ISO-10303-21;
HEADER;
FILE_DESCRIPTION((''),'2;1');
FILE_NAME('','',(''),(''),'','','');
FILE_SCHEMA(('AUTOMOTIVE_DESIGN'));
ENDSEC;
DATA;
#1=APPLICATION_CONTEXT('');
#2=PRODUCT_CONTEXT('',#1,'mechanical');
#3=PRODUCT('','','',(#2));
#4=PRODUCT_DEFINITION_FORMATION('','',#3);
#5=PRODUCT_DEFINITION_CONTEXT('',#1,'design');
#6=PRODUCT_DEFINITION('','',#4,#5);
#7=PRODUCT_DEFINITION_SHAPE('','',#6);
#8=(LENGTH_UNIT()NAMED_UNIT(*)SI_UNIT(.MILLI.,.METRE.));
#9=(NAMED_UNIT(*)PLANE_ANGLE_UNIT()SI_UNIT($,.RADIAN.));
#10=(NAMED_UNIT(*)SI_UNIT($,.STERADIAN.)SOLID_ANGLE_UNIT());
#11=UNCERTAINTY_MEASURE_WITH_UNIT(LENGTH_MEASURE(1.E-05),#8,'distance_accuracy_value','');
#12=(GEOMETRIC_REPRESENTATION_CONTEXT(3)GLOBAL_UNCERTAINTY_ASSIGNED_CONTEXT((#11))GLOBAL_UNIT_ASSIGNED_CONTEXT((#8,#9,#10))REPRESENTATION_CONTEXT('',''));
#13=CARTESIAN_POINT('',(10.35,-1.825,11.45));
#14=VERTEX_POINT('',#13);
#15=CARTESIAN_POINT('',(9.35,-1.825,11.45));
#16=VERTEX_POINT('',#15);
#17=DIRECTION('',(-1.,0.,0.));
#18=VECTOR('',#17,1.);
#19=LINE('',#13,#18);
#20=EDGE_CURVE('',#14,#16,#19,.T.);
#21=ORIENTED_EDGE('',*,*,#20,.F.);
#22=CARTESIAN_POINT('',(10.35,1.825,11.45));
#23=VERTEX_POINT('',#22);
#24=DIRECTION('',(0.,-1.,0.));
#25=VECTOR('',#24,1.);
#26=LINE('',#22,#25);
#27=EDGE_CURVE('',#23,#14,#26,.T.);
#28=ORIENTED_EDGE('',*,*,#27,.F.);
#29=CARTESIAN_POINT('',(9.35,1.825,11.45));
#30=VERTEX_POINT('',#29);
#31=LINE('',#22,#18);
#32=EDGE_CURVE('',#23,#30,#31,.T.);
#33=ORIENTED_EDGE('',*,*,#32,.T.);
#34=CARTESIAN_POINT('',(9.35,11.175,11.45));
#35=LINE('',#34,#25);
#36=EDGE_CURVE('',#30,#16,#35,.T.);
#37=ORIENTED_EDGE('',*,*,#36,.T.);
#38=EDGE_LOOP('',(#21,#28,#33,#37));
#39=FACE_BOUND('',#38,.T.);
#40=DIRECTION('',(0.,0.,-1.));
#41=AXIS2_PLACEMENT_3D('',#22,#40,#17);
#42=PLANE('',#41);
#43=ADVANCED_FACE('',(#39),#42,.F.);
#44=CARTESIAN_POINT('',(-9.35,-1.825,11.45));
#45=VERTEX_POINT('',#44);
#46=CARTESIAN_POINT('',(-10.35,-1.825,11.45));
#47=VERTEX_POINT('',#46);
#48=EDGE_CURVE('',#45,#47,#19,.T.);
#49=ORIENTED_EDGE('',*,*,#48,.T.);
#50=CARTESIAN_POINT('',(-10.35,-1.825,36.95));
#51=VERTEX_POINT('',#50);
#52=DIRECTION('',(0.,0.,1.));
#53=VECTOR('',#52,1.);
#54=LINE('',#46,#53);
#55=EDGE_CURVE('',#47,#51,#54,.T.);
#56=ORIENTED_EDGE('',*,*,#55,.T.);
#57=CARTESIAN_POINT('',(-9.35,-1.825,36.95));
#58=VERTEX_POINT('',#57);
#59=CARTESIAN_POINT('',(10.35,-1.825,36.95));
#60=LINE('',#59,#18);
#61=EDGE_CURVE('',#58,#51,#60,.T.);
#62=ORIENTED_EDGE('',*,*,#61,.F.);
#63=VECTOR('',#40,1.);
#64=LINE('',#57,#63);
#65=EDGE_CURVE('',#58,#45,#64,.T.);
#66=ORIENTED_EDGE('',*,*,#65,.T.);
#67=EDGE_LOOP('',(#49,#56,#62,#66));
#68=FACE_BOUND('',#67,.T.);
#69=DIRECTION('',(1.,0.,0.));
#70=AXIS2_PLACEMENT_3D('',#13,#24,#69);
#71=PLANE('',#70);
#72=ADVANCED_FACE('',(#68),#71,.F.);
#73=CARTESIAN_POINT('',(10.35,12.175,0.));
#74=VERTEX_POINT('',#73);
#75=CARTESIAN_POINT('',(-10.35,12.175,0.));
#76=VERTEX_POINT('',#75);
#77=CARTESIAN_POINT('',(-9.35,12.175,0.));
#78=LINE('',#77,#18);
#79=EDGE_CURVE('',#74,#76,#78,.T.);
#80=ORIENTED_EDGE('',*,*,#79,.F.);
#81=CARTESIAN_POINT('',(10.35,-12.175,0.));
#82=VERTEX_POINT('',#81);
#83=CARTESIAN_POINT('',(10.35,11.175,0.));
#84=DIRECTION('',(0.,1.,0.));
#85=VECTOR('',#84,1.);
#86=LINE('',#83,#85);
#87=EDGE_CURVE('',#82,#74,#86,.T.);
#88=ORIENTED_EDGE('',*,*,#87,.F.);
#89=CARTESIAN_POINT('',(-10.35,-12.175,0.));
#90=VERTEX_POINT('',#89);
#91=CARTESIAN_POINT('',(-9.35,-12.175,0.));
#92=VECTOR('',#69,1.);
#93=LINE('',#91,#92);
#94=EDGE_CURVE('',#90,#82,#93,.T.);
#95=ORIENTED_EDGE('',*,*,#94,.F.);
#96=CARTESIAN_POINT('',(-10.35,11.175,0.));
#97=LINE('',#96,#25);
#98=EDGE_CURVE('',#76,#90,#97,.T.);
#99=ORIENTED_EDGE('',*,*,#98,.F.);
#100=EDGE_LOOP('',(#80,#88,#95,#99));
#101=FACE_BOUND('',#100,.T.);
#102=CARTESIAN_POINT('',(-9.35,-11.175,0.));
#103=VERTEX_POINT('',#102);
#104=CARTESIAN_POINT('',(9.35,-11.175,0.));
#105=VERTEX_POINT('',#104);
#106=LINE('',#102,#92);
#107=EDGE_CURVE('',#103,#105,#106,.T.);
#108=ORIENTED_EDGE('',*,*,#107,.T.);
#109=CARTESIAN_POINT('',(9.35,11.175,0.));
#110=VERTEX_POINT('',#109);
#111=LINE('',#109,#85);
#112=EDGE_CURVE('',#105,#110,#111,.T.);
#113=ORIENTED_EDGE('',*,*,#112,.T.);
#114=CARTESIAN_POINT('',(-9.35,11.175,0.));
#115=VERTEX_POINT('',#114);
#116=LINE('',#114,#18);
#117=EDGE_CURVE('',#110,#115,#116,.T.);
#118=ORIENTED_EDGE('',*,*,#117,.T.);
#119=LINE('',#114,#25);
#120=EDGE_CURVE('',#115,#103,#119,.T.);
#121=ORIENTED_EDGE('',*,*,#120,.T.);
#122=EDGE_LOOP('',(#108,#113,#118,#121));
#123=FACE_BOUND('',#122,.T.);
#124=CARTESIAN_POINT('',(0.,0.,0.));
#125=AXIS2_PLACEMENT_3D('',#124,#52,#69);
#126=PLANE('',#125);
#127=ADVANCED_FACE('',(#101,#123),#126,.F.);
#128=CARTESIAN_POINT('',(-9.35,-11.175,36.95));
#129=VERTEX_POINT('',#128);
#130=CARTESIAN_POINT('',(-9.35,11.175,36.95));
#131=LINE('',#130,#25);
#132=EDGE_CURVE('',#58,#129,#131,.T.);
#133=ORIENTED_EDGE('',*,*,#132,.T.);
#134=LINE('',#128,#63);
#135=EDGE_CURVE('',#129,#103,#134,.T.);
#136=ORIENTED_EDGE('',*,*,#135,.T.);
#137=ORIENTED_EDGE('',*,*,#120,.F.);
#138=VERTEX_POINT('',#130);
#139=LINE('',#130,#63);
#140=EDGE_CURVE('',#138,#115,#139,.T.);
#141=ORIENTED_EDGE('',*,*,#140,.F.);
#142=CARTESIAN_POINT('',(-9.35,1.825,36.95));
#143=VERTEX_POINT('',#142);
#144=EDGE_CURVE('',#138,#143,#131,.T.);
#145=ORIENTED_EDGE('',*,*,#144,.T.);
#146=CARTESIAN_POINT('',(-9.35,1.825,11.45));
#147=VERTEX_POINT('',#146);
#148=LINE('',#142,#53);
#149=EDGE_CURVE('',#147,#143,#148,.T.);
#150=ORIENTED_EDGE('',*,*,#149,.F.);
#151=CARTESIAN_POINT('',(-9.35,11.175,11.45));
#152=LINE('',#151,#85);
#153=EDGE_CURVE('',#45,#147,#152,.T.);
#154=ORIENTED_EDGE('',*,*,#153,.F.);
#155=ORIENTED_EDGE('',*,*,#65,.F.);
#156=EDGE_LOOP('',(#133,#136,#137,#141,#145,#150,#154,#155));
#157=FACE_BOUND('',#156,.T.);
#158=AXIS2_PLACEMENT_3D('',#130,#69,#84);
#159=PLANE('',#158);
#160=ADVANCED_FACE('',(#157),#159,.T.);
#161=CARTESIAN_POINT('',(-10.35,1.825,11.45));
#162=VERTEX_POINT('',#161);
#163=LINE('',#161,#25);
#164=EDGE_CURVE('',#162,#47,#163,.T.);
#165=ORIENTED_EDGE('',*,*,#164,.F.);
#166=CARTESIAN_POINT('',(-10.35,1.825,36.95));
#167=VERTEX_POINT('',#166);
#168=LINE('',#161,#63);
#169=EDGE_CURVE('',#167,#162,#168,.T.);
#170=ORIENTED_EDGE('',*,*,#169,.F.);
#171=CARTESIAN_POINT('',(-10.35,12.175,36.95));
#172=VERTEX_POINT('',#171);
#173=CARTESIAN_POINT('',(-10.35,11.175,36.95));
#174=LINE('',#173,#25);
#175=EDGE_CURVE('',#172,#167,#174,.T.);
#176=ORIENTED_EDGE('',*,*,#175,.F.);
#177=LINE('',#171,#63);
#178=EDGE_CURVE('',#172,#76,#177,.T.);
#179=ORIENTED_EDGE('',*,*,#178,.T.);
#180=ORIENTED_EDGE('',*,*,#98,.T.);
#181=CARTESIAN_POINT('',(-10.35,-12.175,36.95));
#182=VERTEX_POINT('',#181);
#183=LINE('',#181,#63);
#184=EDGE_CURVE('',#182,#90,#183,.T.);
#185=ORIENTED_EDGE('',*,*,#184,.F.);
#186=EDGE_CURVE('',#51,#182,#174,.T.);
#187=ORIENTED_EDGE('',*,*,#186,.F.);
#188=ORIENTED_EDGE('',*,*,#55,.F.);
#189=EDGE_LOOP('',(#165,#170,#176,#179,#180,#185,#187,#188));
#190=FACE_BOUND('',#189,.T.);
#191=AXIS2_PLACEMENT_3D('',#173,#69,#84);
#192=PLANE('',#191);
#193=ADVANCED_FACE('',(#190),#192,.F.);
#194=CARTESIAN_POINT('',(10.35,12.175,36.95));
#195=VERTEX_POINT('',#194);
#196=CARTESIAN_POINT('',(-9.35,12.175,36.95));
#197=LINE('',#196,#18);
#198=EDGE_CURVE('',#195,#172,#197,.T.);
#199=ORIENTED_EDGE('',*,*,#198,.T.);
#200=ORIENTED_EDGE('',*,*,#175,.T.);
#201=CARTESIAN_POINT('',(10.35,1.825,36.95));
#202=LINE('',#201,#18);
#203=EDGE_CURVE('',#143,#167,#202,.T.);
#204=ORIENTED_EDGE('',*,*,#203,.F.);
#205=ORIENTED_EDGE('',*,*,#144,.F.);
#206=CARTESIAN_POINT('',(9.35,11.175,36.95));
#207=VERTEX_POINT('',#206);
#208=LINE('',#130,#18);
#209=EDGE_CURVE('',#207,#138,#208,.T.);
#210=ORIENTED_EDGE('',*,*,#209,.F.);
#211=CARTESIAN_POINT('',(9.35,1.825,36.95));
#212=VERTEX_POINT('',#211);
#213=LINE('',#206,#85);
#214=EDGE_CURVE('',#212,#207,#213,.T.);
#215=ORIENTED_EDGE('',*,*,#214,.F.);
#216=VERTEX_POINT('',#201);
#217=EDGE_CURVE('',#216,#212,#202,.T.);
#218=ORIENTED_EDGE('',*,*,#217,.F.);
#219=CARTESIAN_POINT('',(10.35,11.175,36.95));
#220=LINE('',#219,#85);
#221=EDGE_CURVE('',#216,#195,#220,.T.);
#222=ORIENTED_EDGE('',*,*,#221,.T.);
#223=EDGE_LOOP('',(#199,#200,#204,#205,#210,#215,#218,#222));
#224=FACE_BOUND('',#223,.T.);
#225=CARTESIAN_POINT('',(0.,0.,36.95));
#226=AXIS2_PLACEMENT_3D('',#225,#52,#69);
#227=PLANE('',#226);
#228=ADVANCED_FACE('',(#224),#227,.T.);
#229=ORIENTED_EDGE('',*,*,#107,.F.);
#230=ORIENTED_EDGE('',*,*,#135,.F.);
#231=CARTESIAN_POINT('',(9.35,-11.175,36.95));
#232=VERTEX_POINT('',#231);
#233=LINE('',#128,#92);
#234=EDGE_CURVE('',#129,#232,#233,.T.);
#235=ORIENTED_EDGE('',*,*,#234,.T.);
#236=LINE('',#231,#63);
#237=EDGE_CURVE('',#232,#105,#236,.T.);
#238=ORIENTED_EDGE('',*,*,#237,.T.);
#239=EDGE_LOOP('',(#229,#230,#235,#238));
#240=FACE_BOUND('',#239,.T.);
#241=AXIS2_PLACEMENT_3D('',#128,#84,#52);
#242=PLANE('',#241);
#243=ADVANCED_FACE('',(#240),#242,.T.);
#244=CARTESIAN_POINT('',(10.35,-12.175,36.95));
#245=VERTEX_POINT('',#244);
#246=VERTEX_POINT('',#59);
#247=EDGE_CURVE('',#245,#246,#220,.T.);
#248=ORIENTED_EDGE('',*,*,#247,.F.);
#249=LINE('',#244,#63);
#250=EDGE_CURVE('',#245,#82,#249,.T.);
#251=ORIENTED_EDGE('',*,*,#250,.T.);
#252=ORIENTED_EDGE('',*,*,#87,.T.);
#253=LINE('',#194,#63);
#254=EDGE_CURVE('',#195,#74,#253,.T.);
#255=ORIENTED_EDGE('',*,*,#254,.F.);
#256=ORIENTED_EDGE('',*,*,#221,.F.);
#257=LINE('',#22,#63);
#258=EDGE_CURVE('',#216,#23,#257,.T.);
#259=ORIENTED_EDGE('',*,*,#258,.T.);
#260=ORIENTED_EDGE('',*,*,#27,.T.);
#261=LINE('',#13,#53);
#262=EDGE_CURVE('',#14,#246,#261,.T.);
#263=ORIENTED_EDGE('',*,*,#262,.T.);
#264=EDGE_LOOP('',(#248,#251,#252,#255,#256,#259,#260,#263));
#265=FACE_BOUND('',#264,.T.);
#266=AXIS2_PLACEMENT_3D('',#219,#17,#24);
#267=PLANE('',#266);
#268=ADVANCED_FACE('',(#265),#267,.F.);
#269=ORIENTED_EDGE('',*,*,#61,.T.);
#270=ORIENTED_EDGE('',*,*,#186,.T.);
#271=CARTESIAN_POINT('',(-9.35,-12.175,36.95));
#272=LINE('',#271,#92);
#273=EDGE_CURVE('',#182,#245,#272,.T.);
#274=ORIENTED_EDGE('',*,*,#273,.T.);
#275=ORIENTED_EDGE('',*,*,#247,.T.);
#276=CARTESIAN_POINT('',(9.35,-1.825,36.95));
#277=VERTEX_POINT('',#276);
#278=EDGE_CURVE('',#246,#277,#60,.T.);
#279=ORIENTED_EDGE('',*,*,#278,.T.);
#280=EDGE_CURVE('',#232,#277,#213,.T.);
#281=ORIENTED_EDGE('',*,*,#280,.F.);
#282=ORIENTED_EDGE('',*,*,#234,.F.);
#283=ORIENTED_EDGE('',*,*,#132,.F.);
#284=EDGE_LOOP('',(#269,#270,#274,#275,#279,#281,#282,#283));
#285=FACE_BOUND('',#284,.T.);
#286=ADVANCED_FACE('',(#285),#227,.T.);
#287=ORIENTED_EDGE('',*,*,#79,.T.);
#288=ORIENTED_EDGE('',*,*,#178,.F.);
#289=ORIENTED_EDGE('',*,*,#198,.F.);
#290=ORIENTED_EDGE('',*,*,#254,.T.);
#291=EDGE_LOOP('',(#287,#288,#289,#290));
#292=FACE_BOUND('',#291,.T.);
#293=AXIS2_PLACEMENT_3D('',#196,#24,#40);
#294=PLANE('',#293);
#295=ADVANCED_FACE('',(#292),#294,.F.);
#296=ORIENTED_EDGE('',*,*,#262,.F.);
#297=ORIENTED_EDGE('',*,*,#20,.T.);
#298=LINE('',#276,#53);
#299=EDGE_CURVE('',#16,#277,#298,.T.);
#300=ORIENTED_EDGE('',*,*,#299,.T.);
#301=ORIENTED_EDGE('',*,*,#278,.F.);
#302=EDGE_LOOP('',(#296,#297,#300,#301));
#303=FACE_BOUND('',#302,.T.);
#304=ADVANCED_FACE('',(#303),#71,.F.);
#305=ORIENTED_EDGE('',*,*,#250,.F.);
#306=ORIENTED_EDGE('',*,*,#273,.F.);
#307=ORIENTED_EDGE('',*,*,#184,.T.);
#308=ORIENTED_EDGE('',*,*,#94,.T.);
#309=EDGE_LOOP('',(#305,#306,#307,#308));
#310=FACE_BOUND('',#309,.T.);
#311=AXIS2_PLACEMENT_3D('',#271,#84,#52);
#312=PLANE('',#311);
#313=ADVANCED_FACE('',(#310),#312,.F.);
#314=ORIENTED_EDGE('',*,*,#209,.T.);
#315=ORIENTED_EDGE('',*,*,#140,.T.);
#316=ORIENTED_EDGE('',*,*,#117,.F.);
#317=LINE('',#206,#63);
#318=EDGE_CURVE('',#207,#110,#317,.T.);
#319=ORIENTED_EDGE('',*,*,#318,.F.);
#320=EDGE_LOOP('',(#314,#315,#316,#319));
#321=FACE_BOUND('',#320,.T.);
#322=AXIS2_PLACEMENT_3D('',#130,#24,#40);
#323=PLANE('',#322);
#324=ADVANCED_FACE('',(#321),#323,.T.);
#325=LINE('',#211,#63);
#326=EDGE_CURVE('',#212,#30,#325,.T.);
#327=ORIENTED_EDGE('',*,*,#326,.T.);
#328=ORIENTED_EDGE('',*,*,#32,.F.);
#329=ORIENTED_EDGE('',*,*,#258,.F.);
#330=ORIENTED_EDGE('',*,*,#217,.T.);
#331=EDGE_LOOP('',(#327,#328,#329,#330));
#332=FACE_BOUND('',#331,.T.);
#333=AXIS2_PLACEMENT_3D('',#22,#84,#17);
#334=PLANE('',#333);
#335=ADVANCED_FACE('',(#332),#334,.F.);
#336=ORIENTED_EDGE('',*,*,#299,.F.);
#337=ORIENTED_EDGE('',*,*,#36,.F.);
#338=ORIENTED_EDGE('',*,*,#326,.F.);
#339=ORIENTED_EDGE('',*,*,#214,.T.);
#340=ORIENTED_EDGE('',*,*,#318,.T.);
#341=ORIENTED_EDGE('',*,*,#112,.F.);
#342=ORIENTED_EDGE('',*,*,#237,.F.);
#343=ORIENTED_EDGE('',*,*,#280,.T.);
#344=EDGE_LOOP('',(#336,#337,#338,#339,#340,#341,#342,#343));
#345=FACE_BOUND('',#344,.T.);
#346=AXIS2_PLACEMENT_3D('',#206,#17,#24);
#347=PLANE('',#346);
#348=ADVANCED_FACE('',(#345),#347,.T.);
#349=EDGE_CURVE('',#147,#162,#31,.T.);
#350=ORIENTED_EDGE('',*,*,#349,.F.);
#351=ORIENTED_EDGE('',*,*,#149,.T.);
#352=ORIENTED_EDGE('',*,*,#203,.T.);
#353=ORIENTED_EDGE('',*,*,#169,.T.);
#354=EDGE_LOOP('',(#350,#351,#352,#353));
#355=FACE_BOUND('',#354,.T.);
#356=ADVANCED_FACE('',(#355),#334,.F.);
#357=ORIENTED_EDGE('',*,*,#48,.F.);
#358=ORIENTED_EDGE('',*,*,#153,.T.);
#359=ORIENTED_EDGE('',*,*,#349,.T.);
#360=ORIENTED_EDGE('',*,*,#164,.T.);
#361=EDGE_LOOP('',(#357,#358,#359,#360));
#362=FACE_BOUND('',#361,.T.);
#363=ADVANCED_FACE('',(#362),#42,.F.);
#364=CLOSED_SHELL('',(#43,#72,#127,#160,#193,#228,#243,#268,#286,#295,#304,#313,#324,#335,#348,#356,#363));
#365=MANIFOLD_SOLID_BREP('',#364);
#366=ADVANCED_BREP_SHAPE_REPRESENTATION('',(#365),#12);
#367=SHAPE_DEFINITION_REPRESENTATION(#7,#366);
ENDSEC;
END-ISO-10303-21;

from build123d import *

# Parameters (mm, degrees)
SKETCH3_W           = 20.7
SKETCH3_H           = 24.35
SKETCH3_W_2         = 18.7
SKETCH3_H_2         = 22.35
EXTRUDE_THIN1_DEPTH = 36.95
SKETCH4_W           = 25.5
SKETCH4_H           = 3.65
CUT_EXTRUDE1_DEPTH  = 21.7


with BuildPart() as part:
    # Sketch3 → Extrude-Thin1 (new body)
    with BuildSketch(Plane.XY):
        Rectangle(SKETCH3_W, SKETCH3_H)
        Rectangle(SKETCH3_W_2, SKETCH3_H_2, mode=Mode.SUBTRACT)
    extrude(amount=EXTRUDE_THIN1_DEPTH)

    # Sketch4 → Cut-Extrude1 (cut, through all)
    with BuildSketch(Plane.ZY.offset(10.35)):
        with Locations((24.2, 0)):
            Rectangle(SKETCH4_W, SKETCH4_H)
    extrude(amount=-CUT_EXTRUDE1_DEPTH, mode=Mode.SUBTRACT)


solid = part.part
